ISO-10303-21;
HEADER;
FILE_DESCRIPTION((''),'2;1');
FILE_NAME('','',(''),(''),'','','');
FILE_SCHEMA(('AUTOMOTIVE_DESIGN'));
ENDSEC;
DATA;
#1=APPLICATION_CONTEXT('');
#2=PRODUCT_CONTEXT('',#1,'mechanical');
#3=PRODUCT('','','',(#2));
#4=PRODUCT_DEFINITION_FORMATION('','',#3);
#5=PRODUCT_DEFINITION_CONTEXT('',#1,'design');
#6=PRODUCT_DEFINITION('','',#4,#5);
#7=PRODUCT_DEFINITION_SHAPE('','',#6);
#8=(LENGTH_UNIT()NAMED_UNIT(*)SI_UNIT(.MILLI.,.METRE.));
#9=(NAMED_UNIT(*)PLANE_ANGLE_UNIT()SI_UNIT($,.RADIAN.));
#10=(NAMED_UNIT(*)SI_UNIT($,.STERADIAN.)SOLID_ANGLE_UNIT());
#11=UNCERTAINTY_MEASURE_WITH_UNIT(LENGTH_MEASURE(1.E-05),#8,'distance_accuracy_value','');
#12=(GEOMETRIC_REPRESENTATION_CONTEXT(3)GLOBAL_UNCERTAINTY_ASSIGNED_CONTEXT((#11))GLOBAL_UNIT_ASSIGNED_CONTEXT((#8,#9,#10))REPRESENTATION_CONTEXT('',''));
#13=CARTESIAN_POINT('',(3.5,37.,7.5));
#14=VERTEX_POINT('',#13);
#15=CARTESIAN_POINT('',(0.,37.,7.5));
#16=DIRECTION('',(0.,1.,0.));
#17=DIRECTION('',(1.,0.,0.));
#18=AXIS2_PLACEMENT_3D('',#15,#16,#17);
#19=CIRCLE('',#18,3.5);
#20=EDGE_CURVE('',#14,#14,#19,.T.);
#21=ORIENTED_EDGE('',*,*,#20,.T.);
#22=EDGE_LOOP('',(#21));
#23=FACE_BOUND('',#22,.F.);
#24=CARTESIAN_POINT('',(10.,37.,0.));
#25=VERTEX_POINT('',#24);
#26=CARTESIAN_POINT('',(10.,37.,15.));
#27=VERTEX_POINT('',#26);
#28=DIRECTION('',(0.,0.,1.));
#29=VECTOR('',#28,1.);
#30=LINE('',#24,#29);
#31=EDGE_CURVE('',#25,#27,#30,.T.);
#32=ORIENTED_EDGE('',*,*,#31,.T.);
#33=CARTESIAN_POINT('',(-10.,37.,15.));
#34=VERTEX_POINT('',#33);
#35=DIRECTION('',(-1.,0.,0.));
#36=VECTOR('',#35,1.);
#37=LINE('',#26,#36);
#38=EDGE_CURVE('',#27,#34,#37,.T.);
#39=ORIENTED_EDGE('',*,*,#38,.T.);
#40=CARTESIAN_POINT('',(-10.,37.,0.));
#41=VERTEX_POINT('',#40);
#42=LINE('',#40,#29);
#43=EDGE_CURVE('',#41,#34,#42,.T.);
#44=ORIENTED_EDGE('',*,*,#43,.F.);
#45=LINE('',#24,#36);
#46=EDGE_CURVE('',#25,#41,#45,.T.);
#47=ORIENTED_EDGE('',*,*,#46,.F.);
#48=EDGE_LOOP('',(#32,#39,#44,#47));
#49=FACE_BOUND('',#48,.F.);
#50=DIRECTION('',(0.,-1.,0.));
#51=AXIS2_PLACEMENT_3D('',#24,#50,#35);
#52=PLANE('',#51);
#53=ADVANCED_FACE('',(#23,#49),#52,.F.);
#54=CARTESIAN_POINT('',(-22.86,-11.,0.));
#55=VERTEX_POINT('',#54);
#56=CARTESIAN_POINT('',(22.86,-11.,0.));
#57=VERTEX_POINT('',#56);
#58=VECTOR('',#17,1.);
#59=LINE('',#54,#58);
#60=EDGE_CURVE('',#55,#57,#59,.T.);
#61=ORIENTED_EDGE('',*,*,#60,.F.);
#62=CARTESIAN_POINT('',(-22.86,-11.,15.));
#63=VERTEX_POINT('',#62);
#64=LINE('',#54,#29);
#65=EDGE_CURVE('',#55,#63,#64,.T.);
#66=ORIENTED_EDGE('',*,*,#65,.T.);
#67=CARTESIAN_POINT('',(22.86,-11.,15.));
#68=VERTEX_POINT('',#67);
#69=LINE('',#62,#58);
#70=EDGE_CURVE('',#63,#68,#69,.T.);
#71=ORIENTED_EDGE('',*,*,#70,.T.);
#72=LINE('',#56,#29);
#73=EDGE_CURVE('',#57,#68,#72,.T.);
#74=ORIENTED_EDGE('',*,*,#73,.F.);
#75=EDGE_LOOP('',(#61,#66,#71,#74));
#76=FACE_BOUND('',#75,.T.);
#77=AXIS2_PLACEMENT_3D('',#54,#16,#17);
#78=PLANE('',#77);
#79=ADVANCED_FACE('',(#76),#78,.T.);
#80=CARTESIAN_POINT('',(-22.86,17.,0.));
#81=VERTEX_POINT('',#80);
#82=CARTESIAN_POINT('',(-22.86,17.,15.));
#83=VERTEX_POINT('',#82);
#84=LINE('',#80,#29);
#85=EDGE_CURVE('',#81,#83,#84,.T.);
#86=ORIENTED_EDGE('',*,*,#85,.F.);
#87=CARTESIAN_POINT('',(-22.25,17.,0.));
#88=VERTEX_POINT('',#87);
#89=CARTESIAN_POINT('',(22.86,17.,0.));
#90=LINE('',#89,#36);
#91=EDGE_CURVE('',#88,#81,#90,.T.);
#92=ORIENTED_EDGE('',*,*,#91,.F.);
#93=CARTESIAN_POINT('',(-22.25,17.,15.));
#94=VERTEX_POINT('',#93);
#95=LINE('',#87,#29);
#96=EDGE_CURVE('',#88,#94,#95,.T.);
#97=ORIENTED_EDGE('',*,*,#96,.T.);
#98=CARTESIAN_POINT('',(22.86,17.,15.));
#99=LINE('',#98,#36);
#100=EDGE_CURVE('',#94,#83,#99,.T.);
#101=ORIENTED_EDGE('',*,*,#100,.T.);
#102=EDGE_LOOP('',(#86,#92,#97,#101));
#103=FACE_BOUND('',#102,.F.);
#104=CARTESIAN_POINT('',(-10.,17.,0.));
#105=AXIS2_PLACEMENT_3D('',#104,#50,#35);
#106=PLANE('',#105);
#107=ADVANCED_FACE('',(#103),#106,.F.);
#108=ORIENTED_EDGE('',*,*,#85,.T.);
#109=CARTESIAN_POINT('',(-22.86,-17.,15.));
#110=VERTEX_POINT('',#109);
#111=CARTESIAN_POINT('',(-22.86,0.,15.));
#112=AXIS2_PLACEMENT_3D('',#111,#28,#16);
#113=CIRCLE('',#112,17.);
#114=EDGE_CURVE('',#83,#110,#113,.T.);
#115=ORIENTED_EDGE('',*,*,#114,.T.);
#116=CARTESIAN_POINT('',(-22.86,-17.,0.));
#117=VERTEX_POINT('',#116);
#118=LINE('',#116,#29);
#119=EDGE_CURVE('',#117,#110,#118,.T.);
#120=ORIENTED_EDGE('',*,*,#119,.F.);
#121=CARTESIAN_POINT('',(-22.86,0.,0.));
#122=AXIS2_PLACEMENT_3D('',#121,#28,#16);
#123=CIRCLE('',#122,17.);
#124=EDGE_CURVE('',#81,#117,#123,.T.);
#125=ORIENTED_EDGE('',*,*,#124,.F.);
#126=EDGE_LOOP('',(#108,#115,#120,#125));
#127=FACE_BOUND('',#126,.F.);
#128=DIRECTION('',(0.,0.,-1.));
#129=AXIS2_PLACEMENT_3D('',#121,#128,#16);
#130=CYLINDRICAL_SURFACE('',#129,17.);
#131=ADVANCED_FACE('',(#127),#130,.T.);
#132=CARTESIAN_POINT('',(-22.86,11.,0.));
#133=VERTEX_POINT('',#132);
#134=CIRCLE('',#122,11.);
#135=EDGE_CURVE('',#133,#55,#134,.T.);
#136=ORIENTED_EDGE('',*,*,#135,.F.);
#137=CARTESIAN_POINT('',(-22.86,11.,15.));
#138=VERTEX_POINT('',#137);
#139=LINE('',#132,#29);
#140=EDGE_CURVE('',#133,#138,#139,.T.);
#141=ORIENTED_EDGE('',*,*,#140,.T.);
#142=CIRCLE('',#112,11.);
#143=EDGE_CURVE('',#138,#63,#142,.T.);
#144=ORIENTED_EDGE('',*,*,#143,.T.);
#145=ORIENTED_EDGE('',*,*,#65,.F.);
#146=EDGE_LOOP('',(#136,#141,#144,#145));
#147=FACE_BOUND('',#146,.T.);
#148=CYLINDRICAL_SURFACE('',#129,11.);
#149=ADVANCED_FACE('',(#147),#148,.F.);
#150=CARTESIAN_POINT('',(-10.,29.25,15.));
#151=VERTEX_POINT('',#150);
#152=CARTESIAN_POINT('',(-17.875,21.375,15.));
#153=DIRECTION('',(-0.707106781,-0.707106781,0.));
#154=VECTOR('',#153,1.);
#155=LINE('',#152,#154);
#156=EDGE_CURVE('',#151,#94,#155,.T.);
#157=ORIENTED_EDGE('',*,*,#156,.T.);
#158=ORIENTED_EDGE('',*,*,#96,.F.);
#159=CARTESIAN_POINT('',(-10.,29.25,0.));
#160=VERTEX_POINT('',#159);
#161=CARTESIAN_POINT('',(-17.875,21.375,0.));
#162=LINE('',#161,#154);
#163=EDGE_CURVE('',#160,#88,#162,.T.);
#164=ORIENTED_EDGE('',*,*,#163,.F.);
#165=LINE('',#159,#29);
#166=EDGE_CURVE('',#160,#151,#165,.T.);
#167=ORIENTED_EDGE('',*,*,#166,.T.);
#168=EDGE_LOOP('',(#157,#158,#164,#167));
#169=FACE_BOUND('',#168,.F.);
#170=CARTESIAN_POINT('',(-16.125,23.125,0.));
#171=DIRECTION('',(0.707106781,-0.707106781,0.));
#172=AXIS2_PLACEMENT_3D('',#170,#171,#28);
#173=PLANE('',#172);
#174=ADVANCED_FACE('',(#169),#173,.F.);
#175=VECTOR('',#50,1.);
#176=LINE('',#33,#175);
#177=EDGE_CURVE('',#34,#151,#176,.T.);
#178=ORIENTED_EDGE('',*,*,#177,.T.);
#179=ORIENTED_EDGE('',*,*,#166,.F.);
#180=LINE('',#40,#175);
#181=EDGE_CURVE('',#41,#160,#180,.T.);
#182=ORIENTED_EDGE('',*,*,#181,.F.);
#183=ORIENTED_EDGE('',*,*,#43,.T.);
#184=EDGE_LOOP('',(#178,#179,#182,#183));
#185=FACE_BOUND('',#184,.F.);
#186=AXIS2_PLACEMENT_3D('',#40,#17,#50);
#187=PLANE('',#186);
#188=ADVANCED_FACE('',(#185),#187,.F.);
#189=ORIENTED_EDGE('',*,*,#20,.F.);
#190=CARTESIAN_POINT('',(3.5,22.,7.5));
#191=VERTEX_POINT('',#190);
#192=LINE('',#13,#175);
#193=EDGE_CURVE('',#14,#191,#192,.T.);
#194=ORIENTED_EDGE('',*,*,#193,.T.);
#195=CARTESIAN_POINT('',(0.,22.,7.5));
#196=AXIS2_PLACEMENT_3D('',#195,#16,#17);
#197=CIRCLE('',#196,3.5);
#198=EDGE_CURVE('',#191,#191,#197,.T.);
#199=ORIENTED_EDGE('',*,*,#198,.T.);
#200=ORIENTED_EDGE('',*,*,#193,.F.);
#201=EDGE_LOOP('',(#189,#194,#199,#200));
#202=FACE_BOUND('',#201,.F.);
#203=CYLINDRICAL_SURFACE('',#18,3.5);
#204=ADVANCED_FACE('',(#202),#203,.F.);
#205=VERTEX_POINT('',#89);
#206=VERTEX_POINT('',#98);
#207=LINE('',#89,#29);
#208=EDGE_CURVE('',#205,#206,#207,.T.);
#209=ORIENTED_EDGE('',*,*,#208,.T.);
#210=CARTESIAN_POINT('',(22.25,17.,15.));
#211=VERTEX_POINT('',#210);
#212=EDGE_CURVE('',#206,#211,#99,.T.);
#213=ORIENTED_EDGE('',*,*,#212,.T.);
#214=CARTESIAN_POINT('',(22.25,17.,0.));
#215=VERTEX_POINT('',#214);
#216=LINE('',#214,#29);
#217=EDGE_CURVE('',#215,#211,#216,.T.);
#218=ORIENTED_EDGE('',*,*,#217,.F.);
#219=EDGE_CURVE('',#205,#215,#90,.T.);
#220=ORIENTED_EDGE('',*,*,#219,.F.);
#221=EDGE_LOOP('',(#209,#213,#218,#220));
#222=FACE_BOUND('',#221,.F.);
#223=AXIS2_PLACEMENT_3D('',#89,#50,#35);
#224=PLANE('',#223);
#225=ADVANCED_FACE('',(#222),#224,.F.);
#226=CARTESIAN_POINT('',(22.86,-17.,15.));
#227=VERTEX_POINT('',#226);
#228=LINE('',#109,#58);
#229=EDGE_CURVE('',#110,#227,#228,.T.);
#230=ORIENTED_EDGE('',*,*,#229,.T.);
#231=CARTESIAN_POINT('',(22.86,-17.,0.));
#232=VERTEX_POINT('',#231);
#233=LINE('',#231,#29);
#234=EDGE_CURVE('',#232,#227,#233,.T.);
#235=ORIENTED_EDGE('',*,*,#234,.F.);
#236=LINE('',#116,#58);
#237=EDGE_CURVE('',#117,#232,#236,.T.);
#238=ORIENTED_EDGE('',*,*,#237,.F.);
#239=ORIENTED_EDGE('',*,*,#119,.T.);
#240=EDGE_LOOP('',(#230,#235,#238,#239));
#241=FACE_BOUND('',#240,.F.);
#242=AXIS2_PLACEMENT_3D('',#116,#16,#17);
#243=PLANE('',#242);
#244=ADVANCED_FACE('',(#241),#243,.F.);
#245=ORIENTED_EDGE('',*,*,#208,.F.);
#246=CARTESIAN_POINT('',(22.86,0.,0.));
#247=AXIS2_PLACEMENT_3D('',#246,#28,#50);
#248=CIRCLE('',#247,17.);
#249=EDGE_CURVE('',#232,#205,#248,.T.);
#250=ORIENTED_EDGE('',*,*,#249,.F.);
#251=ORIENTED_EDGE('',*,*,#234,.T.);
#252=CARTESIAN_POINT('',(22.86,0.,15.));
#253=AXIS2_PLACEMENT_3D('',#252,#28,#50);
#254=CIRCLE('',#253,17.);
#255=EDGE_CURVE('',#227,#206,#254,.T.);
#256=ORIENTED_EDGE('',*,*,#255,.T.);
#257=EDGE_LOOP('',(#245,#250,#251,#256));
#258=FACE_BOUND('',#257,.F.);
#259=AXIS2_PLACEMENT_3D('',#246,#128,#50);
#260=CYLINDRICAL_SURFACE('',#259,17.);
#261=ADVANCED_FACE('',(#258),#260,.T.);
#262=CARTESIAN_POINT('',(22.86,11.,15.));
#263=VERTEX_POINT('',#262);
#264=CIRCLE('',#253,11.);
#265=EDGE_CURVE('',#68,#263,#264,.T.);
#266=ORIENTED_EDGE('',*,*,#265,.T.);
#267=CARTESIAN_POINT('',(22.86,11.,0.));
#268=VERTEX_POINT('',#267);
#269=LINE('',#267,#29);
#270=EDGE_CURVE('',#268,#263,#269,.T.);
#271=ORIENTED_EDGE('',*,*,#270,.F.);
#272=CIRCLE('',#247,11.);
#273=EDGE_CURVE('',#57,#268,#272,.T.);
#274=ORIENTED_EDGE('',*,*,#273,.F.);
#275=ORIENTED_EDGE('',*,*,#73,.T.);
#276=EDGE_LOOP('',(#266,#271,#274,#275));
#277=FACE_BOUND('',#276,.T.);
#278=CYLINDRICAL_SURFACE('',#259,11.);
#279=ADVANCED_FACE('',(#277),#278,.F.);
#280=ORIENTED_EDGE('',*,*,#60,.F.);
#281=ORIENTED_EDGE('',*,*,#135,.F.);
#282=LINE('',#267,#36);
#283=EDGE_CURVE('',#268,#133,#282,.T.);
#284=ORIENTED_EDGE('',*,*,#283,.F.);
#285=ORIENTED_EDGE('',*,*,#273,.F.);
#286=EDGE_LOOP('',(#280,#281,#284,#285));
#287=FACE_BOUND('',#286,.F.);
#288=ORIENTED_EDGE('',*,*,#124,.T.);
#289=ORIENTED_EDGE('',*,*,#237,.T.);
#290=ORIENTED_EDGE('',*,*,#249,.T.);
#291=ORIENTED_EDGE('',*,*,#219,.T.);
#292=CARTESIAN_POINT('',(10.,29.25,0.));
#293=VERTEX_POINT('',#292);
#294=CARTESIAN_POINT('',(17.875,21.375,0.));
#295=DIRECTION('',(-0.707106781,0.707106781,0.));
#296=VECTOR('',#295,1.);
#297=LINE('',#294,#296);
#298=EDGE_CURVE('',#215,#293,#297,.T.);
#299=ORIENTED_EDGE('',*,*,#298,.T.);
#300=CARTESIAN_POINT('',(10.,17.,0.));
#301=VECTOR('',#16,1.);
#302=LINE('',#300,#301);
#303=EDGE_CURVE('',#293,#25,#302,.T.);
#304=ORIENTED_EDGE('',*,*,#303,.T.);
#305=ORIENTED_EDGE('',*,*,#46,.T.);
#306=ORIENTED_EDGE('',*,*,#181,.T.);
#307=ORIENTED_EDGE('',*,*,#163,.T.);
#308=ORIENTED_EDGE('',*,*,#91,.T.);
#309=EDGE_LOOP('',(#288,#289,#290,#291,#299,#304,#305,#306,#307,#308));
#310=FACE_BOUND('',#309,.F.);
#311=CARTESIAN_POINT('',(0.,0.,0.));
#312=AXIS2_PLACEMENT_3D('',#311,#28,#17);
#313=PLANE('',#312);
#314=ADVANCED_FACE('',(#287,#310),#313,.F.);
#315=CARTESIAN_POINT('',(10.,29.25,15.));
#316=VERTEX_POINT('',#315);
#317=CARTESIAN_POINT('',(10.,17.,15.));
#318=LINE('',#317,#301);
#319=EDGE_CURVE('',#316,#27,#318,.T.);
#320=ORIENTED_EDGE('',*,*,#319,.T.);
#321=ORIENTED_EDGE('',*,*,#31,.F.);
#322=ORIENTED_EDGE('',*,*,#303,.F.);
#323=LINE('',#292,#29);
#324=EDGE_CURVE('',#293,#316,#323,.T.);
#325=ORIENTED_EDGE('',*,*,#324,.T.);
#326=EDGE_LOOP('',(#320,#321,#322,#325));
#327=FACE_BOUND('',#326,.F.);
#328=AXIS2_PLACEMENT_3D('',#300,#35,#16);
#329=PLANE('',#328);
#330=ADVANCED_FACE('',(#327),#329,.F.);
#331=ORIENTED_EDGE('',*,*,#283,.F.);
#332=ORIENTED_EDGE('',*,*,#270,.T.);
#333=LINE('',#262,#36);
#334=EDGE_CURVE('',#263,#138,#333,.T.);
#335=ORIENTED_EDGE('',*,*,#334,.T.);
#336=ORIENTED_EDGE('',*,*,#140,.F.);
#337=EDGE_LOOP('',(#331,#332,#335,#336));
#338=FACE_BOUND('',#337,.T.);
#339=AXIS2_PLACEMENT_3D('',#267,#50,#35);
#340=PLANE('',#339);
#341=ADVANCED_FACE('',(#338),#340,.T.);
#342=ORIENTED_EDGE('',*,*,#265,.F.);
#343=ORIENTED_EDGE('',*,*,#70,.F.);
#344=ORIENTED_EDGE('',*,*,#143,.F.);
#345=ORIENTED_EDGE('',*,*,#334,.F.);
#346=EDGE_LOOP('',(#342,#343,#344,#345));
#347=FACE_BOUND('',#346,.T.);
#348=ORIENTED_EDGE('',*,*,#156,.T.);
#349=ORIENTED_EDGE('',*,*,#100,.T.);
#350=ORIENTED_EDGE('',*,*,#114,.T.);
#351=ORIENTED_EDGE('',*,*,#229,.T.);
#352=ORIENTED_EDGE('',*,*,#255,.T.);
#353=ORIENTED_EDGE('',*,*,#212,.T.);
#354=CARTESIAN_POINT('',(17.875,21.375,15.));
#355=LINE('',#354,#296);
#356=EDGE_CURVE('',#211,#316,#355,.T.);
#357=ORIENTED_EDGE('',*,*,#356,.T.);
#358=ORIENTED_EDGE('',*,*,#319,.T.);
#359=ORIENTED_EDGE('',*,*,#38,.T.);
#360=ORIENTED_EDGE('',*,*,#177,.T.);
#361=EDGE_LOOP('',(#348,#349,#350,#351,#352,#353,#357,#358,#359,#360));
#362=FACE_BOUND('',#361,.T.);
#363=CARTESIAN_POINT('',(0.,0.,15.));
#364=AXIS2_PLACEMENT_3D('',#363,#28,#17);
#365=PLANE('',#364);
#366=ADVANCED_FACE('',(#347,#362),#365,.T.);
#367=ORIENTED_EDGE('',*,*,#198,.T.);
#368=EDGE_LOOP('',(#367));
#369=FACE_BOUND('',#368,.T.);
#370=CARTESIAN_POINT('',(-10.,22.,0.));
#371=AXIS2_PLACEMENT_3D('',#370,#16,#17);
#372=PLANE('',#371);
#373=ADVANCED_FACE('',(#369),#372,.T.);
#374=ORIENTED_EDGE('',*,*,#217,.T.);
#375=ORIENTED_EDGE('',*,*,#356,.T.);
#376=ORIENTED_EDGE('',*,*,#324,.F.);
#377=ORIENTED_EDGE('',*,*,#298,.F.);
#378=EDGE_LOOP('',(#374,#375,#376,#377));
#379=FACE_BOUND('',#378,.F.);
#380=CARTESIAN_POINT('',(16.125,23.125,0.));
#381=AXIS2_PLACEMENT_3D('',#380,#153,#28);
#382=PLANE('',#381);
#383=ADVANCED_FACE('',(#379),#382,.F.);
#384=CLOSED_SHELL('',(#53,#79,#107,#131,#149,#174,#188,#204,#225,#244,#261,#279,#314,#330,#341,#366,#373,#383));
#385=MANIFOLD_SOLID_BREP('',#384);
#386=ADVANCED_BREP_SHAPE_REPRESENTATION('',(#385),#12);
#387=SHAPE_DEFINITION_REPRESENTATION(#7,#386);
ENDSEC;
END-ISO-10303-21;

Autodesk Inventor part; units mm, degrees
ref_plane "YZ Plane" through (0, 0, 0) normal (1, 0, 0) x (0, 1, 0)
ref_plane "XZ Plane" through (0, 0, 0) normal (0, 1, 0) x (-1, 0, 0)
ref_plane "XY Plane" through (0, 0, 0) normal (0, 0, 1) x (1, 0, 0)
sketch "Sketch1" plane through (0, 0, 0) normal (0, 0, 1) x (1, 0, 0)
  line L0 (22.86, 0) -> (-22.86, 0) construction
  line L1 (22.86, 11) -> (-22.86, 11)
  line L2 (-22.86, -11) -> (22.86, -11)
  arc A0 (22.86, -11) -> (22.86, 11) centre (22.86, 0) ccw
  arc A1 (-22.86, 11) -> (-22.86, -11) centre (-22.86, 0) ccw
  line L3 (22.86, 0) -> (-22.86, 0) construction
  line L4 (22.86, 17) -> (-22.86, 17)
  line L5 (-22.86, -17) -> (22.86, -17)
  arc A2 (22.86, -17) -> (22.86, 17) centre (22.86, 0) ccw
  arc A3 (-22.86, 17) -> (-22.86, -17) centre (-22.86, 0) ccw
  line L6 (-10, 17) -> (10, 17)
  line L7 (10, 17) -> (10, 37)
  line L8 (10, 37) -> (-10, 37)
  line L9 (-10, 37) -> (-10, 17)
  point P0 (0, 0)
  point P1 (0, 17)
  dimension "d0" = 22
  dimension "d1" = 6
  dimension "d2" = 45.72
  dimension "d3" = 20
  dimension "d4" = 20
extrude "Extrusion1" add sketch "Sketch1" along normal blind 15
sketch "Sketch2" plane through (-10, 37, 0) normal (0, 1, 0) x (1, 0, 0)
  line L0 (-12.86, -15) -> (32.86, -15) construction
  line L1 (10, -15) -> (10, 0) construction
  circle A0 centre (10, -7.5) radius 3.5
  dimension "d7" = 7
extrude "Extrusion2" cut sketch "Sketch2" against normal blind 15
chamfer "Chamfer1" distance 12.25 angle 45 2 edges at (10, 17, 7.5) (-10, 17, 7.5)
properties part number "yoke"
